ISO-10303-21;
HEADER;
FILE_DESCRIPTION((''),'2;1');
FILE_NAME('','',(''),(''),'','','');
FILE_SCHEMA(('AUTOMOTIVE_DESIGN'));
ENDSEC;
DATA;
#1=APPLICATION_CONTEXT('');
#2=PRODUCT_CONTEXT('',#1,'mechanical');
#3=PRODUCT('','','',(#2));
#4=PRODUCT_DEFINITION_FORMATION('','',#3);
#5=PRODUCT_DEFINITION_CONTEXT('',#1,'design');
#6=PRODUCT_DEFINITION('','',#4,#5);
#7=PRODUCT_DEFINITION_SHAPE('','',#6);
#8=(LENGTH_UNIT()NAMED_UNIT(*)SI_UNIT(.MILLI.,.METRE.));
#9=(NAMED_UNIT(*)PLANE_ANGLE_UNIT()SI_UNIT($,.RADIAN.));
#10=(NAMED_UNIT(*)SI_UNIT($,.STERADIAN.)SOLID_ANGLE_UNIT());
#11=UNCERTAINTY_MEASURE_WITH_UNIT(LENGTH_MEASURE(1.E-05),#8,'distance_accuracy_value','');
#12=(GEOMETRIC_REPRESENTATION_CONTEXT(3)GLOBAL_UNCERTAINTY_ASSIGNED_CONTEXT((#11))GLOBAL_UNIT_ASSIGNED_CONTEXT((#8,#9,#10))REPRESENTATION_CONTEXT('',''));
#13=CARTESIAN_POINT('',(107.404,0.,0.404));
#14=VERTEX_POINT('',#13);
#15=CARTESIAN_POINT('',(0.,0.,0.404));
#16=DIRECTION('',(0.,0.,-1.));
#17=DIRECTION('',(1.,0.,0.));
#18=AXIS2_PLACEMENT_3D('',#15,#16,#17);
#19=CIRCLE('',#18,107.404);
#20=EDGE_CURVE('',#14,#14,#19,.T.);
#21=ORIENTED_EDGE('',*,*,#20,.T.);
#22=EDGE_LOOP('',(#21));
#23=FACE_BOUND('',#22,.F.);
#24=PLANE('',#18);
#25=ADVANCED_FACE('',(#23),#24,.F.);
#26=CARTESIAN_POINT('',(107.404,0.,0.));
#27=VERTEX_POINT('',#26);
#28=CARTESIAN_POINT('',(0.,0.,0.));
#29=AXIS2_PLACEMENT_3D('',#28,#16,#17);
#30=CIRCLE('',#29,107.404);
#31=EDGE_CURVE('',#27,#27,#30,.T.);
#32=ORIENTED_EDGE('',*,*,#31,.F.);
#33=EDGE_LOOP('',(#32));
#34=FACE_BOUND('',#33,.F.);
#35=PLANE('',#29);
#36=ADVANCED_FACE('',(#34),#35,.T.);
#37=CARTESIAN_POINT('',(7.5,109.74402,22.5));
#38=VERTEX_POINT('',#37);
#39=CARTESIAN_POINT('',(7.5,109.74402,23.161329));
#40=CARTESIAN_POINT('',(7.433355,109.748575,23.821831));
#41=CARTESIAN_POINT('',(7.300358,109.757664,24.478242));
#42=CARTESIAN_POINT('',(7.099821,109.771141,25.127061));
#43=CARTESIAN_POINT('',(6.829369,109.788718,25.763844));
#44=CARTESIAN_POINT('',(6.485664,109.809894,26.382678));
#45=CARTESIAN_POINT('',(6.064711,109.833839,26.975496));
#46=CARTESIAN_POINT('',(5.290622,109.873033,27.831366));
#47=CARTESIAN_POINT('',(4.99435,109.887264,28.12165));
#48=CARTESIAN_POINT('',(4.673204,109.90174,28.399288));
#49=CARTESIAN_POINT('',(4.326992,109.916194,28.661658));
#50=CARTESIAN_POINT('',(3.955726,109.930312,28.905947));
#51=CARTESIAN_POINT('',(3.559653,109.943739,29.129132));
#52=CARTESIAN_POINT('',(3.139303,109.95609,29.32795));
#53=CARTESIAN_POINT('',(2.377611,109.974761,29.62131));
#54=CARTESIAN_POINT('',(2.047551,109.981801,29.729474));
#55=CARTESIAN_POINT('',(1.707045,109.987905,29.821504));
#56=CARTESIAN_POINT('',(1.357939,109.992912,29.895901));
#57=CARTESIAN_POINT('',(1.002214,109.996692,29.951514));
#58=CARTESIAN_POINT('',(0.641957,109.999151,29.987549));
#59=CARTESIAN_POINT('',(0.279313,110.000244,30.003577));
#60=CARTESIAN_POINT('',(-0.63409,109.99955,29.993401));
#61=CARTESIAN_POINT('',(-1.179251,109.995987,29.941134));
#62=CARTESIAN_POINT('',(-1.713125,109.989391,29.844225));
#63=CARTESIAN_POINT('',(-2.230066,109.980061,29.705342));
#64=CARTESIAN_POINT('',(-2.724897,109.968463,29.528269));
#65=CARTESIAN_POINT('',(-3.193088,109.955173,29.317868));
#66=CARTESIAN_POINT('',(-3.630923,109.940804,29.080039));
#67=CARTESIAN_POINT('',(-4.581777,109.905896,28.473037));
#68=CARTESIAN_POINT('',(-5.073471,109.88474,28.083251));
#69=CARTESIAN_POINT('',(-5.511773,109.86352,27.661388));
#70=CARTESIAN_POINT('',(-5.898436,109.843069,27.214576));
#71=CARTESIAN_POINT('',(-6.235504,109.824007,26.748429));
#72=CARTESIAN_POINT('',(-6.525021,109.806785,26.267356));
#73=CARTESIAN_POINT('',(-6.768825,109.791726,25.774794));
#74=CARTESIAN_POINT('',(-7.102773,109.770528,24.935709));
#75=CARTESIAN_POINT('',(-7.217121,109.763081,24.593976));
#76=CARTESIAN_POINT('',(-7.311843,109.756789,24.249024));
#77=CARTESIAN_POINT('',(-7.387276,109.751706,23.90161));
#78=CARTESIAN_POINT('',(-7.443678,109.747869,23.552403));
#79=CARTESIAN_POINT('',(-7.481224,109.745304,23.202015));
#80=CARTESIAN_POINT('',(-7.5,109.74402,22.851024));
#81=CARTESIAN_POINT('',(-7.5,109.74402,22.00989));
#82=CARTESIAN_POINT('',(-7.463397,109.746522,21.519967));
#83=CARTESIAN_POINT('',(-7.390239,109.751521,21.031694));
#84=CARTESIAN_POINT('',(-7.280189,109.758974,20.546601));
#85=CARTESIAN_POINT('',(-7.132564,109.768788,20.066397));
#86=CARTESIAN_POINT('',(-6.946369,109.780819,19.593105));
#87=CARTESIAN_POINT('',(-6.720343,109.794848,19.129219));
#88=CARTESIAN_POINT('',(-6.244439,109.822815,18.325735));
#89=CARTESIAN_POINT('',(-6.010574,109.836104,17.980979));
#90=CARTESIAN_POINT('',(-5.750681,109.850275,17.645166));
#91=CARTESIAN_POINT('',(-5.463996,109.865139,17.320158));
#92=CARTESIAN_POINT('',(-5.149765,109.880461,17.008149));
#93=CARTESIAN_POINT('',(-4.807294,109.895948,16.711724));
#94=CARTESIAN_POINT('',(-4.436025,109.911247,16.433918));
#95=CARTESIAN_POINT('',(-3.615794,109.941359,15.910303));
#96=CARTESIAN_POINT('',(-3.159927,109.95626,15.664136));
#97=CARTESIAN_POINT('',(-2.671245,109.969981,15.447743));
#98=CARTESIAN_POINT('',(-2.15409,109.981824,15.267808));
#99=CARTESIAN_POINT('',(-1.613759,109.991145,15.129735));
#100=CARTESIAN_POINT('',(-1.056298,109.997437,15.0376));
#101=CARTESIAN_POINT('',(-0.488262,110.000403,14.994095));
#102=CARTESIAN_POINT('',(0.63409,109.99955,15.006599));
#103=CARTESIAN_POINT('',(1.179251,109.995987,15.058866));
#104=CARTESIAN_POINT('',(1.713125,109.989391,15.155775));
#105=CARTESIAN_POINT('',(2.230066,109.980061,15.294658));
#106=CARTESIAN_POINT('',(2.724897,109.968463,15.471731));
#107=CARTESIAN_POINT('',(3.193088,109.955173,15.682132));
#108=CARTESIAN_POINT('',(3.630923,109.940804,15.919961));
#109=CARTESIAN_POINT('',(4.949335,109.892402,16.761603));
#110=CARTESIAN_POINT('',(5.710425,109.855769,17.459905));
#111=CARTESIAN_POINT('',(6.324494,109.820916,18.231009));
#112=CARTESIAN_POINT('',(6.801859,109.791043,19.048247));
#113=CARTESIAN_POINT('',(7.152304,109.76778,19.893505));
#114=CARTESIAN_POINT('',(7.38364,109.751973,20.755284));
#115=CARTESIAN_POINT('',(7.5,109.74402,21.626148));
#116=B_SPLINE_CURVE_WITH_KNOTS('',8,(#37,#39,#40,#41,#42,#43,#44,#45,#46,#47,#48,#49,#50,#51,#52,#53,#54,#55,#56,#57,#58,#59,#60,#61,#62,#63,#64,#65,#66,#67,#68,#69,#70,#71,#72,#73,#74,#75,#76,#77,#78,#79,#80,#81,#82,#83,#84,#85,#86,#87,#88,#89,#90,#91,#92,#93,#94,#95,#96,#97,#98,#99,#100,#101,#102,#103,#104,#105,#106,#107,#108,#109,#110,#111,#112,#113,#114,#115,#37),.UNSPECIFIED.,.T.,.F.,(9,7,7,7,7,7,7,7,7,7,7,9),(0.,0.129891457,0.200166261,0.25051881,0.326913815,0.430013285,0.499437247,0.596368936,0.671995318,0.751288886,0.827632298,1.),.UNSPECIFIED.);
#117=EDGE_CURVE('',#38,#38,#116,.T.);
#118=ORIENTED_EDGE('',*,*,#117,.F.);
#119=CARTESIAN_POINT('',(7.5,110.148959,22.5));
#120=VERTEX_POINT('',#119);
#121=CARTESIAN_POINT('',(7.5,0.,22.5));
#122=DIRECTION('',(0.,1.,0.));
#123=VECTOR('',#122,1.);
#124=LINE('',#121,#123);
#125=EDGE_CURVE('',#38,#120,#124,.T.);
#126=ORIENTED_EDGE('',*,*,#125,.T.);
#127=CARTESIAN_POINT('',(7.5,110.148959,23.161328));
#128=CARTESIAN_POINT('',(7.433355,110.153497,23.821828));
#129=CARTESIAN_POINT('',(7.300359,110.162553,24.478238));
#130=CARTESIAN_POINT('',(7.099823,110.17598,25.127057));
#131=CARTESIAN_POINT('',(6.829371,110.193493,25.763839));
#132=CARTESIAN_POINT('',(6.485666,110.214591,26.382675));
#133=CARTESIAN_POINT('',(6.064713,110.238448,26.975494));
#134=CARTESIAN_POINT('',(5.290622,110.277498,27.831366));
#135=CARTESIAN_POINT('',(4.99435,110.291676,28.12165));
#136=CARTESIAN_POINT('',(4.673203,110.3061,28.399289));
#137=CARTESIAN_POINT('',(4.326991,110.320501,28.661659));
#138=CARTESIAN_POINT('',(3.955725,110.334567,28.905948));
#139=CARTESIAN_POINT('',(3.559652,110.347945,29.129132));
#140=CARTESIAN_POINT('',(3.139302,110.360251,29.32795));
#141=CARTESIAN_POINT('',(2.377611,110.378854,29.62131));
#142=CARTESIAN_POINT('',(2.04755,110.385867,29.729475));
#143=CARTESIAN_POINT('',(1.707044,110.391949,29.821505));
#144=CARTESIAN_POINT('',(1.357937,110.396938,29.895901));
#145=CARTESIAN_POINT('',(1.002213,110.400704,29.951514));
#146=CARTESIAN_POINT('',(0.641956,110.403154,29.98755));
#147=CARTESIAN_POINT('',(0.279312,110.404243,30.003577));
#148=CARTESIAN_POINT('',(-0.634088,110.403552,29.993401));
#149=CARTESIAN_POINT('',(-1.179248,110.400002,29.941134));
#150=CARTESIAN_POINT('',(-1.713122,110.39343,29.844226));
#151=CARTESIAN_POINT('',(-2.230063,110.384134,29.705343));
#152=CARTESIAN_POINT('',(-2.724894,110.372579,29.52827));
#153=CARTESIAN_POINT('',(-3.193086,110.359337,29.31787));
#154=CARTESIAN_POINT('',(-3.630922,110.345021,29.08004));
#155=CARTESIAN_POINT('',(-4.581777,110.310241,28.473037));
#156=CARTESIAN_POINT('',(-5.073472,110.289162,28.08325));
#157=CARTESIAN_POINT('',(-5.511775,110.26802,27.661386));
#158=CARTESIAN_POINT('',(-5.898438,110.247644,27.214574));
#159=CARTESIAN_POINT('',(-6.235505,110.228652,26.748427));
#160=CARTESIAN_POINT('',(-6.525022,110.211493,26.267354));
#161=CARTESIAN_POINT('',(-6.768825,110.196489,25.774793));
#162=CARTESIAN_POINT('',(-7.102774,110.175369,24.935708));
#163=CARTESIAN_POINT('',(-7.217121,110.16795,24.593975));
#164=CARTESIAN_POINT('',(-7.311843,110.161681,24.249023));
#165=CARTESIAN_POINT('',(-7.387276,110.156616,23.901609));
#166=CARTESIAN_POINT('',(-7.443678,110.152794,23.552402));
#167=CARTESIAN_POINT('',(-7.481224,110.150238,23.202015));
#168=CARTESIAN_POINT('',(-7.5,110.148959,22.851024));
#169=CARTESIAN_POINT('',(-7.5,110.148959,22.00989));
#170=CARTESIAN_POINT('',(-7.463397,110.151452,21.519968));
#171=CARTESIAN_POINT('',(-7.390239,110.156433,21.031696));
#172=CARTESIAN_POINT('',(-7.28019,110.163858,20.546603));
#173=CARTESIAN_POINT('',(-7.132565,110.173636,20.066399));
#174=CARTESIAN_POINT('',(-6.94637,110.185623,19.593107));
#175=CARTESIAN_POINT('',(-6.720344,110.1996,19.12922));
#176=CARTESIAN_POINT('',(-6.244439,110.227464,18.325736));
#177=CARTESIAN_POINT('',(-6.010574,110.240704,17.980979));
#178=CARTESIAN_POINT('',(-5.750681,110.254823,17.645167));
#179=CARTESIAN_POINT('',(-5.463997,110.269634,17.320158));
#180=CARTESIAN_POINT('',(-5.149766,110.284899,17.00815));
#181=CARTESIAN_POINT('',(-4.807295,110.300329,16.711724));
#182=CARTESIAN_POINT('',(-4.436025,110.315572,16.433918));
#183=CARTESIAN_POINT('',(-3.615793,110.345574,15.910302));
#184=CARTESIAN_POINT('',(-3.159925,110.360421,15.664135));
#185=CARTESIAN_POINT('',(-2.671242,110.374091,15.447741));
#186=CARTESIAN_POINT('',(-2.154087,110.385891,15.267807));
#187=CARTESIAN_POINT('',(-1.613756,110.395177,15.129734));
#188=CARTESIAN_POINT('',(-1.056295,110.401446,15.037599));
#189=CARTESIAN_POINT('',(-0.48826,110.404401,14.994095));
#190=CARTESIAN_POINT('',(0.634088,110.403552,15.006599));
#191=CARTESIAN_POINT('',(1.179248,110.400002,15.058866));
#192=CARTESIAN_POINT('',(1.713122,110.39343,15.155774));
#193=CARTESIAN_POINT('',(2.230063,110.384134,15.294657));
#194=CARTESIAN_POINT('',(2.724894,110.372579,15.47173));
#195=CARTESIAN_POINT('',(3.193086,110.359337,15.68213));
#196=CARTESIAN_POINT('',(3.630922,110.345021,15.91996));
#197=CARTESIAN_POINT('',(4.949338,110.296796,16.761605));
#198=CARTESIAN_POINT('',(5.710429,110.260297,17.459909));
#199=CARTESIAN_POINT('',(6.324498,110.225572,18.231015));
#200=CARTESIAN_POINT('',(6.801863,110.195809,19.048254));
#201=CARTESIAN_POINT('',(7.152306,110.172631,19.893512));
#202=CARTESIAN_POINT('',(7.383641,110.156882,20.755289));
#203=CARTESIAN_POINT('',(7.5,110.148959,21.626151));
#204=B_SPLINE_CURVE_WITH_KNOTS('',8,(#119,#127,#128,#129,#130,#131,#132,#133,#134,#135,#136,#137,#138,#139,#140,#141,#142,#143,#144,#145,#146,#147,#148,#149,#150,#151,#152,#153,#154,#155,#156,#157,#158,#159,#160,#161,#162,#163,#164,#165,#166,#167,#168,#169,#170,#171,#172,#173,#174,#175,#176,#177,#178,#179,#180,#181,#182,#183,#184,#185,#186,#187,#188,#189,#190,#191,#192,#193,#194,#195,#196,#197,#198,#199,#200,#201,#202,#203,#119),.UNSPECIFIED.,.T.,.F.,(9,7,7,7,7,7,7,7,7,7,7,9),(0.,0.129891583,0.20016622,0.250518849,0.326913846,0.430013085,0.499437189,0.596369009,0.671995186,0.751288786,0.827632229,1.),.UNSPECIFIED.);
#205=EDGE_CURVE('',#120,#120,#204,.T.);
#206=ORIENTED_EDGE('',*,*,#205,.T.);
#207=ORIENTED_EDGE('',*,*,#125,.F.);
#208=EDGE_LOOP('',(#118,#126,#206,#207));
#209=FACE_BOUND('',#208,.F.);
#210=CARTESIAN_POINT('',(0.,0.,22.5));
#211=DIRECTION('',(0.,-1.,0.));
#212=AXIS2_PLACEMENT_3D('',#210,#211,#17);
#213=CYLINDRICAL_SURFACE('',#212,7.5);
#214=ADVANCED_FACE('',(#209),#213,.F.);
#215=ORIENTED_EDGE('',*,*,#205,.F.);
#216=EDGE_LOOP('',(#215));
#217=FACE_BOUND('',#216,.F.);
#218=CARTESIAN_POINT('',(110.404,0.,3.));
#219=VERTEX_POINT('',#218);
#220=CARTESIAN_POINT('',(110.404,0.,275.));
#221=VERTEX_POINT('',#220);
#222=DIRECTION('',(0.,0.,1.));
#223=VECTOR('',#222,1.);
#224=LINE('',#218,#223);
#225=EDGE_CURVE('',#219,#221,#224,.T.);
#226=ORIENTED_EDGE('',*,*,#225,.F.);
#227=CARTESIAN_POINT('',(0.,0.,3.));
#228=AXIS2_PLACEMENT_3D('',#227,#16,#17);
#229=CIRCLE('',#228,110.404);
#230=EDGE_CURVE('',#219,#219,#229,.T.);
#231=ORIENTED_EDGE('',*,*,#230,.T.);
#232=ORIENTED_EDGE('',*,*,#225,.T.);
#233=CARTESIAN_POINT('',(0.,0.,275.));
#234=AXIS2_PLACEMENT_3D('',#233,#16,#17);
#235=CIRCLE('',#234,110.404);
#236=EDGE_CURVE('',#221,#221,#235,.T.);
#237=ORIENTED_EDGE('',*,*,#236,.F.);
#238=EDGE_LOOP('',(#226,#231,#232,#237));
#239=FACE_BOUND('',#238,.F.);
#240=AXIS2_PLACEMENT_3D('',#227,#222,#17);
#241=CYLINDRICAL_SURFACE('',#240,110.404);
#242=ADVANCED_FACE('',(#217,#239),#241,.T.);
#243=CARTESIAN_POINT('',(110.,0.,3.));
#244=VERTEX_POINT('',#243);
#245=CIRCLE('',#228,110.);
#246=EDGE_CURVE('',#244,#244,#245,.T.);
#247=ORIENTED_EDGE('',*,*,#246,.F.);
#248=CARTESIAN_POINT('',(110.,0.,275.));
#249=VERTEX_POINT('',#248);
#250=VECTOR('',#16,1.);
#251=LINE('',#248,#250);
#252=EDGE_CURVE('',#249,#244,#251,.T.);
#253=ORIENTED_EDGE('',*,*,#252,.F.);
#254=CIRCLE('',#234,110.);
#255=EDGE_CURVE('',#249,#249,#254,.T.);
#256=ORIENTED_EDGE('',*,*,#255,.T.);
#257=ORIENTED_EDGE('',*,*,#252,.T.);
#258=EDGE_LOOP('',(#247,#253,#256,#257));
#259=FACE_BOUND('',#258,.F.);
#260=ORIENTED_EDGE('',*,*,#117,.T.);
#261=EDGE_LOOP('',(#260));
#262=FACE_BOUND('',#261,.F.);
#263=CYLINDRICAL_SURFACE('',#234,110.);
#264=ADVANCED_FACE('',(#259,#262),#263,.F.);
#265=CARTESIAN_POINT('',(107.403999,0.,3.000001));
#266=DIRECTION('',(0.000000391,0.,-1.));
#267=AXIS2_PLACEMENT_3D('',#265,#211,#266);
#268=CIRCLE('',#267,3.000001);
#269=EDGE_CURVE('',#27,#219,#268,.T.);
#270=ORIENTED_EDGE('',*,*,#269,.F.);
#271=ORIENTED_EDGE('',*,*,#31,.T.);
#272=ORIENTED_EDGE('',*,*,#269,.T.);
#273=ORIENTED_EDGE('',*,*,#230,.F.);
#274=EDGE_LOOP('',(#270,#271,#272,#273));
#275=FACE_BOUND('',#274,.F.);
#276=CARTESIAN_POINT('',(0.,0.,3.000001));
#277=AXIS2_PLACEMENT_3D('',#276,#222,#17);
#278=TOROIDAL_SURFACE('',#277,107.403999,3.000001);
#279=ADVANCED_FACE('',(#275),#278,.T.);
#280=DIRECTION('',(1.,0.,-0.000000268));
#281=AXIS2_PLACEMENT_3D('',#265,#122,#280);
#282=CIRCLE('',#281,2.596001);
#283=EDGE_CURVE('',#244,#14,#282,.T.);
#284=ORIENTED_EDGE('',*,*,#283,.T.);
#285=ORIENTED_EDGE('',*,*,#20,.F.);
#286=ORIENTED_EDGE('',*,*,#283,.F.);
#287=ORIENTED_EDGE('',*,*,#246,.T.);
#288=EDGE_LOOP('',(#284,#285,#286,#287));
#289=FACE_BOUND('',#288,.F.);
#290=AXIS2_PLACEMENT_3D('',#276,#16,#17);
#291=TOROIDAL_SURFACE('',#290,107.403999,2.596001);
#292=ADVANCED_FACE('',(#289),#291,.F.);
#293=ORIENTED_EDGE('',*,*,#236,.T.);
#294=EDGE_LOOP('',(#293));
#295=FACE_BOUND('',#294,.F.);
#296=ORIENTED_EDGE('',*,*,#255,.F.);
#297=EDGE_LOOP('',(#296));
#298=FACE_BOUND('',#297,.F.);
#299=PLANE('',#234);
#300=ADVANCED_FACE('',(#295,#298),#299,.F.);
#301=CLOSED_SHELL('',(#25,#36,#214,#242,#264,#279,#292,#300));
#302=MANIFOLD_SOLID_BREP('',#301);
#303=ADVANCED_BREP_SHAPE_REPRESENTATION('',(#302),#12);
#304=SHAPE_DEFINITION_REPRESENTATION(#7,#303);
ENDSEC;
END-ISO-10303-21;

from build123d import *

# Parameters (mm, degrees)
F2_R     = 7.5
F3_DEPTH = 226.06


with BuildPart() as f1:
    # F0 (on Front) → F1 (revolve)
    with BuildSketch(Plane.XZ):
        with BuildLine():
            Line((0, 0.404), (0, 0))
            Line((0, 0), (107.404, 0))
            ThreePointArc((107.404, 0), (109.52532, 0.87868), (110.404, 3))
            Line((110.404, 3), (110.404, 275))
            Line((110.404, 275), (110, 275))
            Line((110, 275), (110, 3))
            ThreePointArc((110, 3), (109.239649, 1.164351), (107.404, 0.404))
            Line((107.404, 0.404), (0, 0.404))
        make_face()
    revolve(axis=Axis((0, 0, 0.202), (0, 0, -1)))

    # F2 (on Front) → F3 (cut)
    with BuildSketch(Plane.XZ):
        with Locations((0, 22.5)):
            Circle(F2_R)
    extrude(amount=-F3_DEPTH, mode=Mode.SUBTRACT)


solid = f1.part
